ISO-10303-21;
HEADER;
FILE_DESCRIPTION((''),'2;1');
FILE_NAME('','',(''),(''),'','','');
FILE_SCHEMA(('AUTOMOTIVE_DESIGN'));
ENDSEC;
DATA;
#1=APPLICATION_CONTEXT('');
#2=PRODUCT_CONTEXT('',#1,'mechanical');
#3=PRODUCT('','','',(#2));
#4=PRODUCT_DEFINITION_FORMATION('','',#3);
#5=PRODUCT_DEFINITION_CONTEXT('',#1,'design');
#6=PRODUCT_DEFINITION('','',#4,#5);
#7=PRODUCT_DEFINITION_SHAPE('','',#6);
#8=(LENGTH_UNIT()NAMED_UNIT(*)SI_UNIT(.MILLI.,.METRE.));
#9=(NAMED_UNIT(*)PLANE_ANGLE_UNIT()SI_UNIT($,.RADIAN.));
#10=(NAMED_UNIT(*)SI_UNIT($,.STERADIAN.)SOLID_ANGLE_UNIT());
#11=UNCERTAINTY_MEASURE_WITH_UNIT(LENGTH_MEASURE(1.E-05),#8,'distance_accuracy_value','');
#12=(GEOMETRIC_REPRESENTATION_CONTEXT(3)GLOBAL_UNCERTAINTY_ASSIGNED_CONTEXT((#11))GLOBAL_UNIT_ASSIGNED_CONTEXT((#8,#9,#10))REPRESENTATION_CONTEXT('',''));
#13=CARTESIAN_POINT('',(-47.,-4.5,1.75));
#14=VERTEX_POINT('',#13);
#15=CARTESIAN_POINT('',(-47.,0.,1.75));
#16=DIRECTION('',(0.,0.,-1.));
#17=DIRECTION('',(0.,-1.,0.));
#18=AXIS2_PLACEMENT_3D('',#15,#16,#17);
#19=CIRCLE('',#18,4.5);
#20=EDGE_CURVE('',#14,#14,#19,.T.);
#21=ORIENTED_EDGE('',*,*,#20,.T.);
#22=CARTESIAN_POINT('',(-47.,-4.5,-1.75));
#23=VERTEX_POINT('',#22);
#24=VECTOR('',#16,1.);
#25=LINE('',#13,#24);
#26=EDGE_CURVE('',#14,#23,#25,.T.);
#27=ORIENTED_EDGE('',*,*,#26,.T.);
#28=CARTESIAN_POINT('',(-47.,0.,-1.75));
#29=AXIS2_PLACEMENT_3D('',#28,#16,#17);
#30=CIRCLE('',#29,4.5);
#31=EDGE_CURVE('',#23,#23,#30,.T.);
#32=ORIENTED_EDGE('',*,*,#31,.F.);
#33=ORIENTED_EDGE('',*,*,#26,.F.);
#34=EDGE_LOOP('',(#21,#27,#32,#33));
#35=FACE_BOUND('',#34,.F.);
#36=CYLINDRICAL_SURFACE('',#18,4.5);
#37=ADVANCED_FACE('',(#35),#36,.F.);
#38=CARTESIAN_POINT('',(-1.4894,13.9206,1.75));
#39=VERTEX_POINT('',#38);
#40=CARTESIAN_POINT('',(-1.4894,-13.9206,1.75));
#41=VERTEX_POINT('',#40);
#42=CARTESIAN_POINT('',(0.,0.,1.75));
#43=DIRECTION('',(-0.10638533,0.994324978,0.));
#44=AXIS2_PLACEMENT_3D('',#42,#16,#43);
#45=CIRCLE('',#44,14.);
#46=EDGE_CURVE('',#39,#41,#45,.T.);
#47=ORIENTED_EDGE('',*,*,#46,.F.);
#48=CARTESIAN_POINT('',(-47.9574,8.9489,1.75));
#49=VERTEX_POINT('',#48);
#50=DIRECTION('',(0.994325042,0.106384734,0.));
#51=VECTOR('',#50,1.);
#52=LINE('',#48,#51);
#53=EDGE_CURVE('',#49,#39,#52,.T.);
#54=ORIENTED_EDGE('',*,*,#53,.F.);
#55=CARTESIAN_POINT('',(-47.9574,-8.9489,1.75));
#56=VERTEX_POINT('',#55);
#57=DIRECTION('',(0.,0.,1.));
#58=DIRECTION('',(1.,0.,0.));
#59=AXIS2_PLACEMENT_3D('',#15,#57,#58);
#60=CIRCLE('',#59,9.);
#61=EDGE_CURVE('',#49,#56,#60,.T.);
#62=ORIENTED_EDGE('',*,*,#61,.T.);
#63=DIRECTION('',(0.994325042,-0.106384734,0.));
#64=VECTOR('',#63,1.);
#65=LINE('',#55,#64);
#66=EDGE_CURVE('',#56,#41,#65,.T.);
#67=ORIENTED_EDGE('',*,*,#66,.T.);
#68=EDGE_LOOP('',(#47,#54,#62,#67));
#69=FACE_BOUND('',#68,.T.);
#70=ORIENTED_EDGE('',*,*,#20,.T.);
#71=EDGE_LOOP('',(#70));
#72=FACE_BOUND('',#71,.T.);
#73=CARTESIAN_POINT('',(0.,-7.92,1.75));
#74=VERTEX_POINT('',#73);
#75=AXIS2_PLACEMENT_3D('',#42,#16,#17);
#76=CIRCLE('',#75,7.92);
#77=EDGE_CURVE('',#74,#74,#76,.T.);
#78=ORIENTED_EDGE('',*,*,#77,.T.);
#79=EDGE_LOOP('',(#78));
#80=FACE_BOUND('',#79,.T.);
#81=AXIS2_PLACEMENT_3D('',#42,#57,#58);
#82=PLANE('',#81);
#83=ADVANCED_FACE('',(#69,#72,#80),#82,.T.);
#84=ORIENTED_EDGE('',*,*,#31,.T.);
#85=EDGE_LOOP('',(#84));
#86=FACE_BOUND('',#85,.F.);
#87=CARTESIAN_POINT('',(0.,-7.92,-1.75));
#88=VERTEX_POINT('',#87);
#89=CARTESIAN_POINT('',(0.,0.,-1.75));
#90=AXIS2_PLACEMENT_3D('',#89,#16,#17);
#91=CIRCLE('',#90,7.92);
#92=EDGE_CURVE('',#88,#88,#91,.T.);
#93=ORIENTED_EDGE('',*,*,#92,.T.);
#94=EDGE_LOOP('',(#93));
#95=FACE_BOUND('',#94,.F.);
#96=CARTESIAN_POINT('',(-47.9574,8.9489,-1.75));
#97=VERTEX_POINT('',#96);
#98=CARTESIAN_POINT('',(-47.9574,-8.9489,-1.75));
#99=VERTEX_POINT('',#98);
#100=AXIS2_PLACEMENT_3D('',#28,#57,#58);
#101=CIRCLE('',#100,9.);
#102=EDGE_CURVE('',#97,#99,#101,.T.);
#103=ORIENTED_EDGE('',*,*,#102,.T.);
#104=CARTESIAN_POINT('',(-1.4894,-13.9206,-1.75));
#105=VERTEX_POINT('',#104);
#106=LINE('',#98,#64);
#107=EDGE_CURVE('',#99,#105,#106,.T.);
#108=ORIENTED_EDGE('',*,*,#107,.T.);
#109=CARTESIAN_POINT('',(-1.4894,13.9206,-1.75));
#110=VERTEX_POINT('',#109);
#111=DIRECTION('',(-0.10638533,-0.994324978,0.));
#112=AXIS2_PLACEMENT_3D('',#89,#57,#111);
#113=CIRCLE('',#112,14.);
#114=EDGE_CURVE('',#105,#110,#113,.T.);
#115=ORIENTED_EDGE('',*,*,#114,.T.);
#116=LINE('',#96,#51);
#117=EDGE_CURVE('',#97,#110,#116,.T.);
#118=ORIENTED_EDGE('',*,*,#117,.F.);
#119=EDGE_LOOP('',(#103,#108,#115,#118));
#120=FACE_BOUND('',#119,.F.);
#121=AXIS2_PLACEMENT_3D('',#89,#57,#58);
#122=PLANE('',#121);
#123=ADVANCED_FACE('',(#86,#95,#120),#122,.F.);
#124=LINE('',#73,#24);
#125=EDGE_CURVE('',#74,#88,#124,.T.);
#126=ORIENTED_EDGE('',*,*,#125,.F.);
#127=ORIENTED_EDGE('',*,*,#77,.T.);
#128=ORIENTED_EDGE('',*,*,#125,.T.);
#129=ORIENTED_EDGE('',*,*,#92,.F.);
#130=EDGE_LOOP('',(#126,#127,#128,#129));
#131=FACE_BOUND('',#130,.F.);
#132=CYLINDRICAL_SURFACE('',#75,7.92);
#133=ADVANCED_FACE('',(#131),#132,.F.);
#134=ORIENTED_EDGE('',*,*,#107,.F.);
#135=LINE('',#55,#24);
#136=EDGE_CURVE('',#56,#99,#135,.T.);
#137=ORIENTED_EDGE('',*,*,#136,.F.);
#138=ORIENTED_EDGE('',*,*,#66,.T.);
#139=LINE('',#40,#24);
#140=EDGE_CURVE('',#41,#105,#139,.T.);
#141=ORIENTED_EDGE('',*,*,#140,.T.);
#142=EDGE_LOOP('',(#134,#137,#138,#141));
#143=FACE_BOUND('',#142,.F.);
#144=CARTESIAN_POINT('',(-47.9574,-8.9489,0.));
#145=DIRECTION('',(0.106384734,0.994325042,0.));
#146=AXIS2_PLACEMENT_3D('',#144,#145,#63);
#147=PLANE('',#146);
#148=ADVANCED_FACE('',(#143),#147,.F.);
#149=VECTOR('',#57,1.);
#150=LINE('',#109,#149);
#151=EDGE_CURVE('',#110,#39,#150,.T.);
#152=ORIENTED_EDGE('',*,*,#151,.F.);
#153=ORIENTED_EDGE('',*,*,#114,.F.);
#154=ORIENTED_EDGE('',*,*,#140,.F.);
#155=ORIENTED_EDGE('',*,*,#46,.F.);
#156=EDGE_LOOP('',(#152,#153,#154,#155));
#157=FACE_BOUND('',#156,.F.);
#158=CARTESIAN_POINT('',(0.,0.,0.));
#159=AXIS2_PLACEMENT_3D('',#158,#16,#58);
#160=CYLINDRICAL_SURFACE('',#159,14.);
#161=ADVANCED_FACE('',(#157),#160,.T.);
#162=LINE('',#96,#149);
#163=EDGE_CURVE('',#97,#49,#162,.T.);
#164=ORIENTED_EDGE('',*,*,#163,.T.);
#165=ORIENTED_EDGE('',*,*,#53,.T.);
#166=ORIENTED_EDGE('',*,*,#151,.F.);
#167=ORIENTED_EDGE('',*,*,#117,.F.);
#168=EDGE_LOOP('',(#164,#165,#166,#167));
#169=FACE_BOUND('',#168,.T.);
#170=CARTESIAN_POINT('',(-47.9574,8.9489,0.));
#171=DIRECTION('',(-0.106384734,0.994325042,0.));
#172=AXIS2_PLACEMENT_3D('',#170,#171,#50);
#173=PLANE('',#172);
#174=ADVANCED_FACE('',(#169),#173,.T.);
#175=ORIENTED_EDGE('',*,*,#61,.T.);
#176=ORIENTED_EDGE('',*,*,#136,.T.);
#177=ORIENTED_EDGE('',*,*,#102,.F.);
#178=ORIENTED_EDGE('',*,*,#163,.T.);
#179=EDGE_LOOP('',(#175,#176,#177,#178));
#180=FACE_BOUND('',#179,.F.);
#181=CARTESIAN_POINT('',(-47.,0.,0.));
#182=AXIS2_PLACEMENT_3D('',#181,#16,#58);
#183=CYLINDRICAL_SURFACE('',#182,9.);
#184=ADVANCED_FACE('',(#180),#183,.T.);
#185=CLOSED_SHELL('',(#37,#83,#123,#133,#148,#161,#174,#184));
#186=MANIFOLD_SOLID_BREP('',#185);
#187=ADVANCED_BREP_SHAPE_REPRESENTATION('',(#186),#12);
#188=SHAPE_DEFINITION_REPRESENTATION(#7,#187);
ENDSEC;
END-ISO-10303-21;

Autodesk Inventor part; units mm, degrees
ref_plane "YZ Plane" through (0, 0, 0) normal (1, 0, 0) x (0, 1, 0)
ref_plane "XZ Plane" through (0, 0, 0) normal (0, 1, 0) x (-1, 0, 0)
ref_plane "XY Plane" through (0, 0, 0) normal (0, 0, 1) x (1, 0, 0)
sketch "Sketch1" plane through (0, 0, 0) normal (0, 0, 1) x (1, 0, 0)
  circle A0 centre (0, 0) radius 14
  line L0 (0, 0) -> (-47, 0) construction
  circle A1 centre (-47, 0) radius 9
  line L1 (-47.9574, 8.9489) -> (-1.4894, 13.9206)
  line L2 (-47.9574, -8.9489) -> (-1.4894, -13.9206)
  dimension "d0" = 18
  dimension "d1" = 28
  dimension "d2" = 47
extrude "Extrusion1" add sketch "Sketch1" along normal mid plane 3.5
sketch "Sketch2" plane through (0, 0, 1.75) normal (0, 0, 1) x (1, 0, 0)
  arc A0 (-1.4894, -13.9206) -> (-1.4894, 13.9206) centre (0, 0) ccw projected
hole "Hole1" at (0, 0, 1.75) direction (0, 0, -1) diameter 15.84 end through all
sketch "Sketch3" plane through (0, 0, 1.75) normal (0, 0, 1) x (1, 0, 0)
  arc A0 (-47.9574, 8.9489) -> (-47.9574, -8.9489) centre (-47, 0) ccw projected
hole "Hole2" at (-47, 0, 1.75) direction (0, 0, -1) diameter 9 end through all
properties part number "312-01-02" material "Steel"
